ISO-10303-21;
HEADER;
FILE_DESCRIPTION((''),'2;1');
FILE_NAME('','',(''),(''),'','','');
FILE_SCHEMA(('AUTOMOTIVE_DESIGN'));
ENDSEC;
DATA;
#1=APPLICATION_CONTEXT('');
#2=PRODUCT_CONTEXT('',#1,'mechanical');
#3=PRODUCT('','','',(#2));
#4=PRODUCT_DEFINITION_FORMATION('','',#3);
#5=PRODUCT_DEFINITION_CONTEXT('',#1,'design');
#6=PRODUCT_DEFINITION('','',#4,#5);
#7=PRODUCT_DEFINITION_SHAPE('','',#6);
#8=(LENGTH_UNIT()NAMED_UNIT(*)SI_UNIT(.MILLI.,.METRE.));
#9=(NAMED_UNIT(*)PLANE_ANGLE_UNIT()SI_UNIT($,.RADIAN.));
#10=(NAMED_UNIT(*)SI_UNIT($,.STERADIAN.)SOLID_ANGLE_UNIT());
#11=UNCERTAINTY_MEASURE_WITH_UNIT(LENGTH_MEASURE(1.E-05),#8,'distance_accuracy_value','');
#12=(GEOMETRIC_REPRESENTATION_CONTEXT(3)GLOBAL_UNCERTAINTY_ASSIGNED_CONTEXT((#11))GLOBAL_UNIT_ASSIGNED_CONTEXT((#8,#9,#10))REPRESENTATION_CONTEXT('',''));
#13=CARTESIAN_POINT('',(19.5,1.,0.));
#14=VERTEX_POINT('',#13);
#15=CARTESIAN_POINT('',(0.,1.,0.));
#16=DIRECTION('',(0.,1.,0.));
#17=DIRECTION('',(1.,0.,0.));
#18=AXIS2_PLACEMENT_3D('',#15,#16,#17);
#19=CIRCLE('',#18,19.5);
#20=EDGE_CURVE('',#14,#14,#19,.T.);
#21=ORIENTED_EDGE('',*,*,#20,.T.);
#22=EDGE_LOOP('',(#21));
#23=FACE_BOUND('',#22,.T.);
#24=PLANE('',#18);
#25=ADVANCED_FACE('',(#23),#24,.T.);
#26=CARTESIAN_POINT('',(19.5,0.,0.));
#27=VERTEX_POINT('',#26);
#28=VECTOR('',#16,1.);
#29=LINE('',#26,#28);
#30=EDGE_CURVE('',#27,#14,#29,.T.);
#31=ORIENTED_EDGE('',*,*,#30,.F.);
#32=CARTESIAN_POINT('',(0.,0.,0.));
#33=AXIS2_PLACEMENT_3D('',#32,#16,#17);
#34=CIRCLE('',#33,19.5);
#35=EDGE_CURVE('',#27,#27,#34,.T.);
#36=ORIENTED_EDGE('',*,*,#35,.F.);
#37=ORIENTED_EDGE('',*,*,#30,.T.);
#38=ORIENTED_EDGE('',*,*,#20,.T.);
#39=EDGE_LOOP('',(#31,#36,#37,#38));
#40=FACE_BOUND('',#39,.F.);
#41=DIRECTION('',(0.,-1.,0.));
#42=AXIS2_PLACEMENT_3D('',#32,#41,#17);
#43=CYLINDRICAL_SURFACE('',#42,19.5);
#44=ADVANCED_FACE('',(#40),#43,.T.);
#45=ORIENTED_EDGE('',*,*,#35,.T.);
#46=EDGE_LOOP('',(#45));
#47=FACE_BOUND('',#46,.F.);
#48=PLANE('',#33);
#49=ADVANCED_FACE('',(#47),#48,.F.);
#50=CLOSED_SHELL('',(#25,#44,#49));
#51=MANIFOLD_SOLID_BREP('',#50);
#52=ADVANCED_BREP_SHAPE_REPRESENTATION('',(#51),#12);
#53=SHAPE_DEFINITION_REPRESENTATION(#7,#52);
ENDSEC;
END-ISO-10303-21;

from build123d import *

# Parameters (mm, degrees)
SKETCH1_R           = 19.5
BOSS_EXTRUDE1_DEPTH = 1


with BuildPart() as part:
    # Sketch1 → Boss-Extrude1 (new body)
    with BuildSketch(Plane(origin=(0, 0, 0), x_dir=(1, 0, 0), z_dir=(0, 1, 0))):
        Circle(SKETCH1_R)
    extrude(amount=BOSS_EXTRUDE1_DEPTH)


solid = part.part
